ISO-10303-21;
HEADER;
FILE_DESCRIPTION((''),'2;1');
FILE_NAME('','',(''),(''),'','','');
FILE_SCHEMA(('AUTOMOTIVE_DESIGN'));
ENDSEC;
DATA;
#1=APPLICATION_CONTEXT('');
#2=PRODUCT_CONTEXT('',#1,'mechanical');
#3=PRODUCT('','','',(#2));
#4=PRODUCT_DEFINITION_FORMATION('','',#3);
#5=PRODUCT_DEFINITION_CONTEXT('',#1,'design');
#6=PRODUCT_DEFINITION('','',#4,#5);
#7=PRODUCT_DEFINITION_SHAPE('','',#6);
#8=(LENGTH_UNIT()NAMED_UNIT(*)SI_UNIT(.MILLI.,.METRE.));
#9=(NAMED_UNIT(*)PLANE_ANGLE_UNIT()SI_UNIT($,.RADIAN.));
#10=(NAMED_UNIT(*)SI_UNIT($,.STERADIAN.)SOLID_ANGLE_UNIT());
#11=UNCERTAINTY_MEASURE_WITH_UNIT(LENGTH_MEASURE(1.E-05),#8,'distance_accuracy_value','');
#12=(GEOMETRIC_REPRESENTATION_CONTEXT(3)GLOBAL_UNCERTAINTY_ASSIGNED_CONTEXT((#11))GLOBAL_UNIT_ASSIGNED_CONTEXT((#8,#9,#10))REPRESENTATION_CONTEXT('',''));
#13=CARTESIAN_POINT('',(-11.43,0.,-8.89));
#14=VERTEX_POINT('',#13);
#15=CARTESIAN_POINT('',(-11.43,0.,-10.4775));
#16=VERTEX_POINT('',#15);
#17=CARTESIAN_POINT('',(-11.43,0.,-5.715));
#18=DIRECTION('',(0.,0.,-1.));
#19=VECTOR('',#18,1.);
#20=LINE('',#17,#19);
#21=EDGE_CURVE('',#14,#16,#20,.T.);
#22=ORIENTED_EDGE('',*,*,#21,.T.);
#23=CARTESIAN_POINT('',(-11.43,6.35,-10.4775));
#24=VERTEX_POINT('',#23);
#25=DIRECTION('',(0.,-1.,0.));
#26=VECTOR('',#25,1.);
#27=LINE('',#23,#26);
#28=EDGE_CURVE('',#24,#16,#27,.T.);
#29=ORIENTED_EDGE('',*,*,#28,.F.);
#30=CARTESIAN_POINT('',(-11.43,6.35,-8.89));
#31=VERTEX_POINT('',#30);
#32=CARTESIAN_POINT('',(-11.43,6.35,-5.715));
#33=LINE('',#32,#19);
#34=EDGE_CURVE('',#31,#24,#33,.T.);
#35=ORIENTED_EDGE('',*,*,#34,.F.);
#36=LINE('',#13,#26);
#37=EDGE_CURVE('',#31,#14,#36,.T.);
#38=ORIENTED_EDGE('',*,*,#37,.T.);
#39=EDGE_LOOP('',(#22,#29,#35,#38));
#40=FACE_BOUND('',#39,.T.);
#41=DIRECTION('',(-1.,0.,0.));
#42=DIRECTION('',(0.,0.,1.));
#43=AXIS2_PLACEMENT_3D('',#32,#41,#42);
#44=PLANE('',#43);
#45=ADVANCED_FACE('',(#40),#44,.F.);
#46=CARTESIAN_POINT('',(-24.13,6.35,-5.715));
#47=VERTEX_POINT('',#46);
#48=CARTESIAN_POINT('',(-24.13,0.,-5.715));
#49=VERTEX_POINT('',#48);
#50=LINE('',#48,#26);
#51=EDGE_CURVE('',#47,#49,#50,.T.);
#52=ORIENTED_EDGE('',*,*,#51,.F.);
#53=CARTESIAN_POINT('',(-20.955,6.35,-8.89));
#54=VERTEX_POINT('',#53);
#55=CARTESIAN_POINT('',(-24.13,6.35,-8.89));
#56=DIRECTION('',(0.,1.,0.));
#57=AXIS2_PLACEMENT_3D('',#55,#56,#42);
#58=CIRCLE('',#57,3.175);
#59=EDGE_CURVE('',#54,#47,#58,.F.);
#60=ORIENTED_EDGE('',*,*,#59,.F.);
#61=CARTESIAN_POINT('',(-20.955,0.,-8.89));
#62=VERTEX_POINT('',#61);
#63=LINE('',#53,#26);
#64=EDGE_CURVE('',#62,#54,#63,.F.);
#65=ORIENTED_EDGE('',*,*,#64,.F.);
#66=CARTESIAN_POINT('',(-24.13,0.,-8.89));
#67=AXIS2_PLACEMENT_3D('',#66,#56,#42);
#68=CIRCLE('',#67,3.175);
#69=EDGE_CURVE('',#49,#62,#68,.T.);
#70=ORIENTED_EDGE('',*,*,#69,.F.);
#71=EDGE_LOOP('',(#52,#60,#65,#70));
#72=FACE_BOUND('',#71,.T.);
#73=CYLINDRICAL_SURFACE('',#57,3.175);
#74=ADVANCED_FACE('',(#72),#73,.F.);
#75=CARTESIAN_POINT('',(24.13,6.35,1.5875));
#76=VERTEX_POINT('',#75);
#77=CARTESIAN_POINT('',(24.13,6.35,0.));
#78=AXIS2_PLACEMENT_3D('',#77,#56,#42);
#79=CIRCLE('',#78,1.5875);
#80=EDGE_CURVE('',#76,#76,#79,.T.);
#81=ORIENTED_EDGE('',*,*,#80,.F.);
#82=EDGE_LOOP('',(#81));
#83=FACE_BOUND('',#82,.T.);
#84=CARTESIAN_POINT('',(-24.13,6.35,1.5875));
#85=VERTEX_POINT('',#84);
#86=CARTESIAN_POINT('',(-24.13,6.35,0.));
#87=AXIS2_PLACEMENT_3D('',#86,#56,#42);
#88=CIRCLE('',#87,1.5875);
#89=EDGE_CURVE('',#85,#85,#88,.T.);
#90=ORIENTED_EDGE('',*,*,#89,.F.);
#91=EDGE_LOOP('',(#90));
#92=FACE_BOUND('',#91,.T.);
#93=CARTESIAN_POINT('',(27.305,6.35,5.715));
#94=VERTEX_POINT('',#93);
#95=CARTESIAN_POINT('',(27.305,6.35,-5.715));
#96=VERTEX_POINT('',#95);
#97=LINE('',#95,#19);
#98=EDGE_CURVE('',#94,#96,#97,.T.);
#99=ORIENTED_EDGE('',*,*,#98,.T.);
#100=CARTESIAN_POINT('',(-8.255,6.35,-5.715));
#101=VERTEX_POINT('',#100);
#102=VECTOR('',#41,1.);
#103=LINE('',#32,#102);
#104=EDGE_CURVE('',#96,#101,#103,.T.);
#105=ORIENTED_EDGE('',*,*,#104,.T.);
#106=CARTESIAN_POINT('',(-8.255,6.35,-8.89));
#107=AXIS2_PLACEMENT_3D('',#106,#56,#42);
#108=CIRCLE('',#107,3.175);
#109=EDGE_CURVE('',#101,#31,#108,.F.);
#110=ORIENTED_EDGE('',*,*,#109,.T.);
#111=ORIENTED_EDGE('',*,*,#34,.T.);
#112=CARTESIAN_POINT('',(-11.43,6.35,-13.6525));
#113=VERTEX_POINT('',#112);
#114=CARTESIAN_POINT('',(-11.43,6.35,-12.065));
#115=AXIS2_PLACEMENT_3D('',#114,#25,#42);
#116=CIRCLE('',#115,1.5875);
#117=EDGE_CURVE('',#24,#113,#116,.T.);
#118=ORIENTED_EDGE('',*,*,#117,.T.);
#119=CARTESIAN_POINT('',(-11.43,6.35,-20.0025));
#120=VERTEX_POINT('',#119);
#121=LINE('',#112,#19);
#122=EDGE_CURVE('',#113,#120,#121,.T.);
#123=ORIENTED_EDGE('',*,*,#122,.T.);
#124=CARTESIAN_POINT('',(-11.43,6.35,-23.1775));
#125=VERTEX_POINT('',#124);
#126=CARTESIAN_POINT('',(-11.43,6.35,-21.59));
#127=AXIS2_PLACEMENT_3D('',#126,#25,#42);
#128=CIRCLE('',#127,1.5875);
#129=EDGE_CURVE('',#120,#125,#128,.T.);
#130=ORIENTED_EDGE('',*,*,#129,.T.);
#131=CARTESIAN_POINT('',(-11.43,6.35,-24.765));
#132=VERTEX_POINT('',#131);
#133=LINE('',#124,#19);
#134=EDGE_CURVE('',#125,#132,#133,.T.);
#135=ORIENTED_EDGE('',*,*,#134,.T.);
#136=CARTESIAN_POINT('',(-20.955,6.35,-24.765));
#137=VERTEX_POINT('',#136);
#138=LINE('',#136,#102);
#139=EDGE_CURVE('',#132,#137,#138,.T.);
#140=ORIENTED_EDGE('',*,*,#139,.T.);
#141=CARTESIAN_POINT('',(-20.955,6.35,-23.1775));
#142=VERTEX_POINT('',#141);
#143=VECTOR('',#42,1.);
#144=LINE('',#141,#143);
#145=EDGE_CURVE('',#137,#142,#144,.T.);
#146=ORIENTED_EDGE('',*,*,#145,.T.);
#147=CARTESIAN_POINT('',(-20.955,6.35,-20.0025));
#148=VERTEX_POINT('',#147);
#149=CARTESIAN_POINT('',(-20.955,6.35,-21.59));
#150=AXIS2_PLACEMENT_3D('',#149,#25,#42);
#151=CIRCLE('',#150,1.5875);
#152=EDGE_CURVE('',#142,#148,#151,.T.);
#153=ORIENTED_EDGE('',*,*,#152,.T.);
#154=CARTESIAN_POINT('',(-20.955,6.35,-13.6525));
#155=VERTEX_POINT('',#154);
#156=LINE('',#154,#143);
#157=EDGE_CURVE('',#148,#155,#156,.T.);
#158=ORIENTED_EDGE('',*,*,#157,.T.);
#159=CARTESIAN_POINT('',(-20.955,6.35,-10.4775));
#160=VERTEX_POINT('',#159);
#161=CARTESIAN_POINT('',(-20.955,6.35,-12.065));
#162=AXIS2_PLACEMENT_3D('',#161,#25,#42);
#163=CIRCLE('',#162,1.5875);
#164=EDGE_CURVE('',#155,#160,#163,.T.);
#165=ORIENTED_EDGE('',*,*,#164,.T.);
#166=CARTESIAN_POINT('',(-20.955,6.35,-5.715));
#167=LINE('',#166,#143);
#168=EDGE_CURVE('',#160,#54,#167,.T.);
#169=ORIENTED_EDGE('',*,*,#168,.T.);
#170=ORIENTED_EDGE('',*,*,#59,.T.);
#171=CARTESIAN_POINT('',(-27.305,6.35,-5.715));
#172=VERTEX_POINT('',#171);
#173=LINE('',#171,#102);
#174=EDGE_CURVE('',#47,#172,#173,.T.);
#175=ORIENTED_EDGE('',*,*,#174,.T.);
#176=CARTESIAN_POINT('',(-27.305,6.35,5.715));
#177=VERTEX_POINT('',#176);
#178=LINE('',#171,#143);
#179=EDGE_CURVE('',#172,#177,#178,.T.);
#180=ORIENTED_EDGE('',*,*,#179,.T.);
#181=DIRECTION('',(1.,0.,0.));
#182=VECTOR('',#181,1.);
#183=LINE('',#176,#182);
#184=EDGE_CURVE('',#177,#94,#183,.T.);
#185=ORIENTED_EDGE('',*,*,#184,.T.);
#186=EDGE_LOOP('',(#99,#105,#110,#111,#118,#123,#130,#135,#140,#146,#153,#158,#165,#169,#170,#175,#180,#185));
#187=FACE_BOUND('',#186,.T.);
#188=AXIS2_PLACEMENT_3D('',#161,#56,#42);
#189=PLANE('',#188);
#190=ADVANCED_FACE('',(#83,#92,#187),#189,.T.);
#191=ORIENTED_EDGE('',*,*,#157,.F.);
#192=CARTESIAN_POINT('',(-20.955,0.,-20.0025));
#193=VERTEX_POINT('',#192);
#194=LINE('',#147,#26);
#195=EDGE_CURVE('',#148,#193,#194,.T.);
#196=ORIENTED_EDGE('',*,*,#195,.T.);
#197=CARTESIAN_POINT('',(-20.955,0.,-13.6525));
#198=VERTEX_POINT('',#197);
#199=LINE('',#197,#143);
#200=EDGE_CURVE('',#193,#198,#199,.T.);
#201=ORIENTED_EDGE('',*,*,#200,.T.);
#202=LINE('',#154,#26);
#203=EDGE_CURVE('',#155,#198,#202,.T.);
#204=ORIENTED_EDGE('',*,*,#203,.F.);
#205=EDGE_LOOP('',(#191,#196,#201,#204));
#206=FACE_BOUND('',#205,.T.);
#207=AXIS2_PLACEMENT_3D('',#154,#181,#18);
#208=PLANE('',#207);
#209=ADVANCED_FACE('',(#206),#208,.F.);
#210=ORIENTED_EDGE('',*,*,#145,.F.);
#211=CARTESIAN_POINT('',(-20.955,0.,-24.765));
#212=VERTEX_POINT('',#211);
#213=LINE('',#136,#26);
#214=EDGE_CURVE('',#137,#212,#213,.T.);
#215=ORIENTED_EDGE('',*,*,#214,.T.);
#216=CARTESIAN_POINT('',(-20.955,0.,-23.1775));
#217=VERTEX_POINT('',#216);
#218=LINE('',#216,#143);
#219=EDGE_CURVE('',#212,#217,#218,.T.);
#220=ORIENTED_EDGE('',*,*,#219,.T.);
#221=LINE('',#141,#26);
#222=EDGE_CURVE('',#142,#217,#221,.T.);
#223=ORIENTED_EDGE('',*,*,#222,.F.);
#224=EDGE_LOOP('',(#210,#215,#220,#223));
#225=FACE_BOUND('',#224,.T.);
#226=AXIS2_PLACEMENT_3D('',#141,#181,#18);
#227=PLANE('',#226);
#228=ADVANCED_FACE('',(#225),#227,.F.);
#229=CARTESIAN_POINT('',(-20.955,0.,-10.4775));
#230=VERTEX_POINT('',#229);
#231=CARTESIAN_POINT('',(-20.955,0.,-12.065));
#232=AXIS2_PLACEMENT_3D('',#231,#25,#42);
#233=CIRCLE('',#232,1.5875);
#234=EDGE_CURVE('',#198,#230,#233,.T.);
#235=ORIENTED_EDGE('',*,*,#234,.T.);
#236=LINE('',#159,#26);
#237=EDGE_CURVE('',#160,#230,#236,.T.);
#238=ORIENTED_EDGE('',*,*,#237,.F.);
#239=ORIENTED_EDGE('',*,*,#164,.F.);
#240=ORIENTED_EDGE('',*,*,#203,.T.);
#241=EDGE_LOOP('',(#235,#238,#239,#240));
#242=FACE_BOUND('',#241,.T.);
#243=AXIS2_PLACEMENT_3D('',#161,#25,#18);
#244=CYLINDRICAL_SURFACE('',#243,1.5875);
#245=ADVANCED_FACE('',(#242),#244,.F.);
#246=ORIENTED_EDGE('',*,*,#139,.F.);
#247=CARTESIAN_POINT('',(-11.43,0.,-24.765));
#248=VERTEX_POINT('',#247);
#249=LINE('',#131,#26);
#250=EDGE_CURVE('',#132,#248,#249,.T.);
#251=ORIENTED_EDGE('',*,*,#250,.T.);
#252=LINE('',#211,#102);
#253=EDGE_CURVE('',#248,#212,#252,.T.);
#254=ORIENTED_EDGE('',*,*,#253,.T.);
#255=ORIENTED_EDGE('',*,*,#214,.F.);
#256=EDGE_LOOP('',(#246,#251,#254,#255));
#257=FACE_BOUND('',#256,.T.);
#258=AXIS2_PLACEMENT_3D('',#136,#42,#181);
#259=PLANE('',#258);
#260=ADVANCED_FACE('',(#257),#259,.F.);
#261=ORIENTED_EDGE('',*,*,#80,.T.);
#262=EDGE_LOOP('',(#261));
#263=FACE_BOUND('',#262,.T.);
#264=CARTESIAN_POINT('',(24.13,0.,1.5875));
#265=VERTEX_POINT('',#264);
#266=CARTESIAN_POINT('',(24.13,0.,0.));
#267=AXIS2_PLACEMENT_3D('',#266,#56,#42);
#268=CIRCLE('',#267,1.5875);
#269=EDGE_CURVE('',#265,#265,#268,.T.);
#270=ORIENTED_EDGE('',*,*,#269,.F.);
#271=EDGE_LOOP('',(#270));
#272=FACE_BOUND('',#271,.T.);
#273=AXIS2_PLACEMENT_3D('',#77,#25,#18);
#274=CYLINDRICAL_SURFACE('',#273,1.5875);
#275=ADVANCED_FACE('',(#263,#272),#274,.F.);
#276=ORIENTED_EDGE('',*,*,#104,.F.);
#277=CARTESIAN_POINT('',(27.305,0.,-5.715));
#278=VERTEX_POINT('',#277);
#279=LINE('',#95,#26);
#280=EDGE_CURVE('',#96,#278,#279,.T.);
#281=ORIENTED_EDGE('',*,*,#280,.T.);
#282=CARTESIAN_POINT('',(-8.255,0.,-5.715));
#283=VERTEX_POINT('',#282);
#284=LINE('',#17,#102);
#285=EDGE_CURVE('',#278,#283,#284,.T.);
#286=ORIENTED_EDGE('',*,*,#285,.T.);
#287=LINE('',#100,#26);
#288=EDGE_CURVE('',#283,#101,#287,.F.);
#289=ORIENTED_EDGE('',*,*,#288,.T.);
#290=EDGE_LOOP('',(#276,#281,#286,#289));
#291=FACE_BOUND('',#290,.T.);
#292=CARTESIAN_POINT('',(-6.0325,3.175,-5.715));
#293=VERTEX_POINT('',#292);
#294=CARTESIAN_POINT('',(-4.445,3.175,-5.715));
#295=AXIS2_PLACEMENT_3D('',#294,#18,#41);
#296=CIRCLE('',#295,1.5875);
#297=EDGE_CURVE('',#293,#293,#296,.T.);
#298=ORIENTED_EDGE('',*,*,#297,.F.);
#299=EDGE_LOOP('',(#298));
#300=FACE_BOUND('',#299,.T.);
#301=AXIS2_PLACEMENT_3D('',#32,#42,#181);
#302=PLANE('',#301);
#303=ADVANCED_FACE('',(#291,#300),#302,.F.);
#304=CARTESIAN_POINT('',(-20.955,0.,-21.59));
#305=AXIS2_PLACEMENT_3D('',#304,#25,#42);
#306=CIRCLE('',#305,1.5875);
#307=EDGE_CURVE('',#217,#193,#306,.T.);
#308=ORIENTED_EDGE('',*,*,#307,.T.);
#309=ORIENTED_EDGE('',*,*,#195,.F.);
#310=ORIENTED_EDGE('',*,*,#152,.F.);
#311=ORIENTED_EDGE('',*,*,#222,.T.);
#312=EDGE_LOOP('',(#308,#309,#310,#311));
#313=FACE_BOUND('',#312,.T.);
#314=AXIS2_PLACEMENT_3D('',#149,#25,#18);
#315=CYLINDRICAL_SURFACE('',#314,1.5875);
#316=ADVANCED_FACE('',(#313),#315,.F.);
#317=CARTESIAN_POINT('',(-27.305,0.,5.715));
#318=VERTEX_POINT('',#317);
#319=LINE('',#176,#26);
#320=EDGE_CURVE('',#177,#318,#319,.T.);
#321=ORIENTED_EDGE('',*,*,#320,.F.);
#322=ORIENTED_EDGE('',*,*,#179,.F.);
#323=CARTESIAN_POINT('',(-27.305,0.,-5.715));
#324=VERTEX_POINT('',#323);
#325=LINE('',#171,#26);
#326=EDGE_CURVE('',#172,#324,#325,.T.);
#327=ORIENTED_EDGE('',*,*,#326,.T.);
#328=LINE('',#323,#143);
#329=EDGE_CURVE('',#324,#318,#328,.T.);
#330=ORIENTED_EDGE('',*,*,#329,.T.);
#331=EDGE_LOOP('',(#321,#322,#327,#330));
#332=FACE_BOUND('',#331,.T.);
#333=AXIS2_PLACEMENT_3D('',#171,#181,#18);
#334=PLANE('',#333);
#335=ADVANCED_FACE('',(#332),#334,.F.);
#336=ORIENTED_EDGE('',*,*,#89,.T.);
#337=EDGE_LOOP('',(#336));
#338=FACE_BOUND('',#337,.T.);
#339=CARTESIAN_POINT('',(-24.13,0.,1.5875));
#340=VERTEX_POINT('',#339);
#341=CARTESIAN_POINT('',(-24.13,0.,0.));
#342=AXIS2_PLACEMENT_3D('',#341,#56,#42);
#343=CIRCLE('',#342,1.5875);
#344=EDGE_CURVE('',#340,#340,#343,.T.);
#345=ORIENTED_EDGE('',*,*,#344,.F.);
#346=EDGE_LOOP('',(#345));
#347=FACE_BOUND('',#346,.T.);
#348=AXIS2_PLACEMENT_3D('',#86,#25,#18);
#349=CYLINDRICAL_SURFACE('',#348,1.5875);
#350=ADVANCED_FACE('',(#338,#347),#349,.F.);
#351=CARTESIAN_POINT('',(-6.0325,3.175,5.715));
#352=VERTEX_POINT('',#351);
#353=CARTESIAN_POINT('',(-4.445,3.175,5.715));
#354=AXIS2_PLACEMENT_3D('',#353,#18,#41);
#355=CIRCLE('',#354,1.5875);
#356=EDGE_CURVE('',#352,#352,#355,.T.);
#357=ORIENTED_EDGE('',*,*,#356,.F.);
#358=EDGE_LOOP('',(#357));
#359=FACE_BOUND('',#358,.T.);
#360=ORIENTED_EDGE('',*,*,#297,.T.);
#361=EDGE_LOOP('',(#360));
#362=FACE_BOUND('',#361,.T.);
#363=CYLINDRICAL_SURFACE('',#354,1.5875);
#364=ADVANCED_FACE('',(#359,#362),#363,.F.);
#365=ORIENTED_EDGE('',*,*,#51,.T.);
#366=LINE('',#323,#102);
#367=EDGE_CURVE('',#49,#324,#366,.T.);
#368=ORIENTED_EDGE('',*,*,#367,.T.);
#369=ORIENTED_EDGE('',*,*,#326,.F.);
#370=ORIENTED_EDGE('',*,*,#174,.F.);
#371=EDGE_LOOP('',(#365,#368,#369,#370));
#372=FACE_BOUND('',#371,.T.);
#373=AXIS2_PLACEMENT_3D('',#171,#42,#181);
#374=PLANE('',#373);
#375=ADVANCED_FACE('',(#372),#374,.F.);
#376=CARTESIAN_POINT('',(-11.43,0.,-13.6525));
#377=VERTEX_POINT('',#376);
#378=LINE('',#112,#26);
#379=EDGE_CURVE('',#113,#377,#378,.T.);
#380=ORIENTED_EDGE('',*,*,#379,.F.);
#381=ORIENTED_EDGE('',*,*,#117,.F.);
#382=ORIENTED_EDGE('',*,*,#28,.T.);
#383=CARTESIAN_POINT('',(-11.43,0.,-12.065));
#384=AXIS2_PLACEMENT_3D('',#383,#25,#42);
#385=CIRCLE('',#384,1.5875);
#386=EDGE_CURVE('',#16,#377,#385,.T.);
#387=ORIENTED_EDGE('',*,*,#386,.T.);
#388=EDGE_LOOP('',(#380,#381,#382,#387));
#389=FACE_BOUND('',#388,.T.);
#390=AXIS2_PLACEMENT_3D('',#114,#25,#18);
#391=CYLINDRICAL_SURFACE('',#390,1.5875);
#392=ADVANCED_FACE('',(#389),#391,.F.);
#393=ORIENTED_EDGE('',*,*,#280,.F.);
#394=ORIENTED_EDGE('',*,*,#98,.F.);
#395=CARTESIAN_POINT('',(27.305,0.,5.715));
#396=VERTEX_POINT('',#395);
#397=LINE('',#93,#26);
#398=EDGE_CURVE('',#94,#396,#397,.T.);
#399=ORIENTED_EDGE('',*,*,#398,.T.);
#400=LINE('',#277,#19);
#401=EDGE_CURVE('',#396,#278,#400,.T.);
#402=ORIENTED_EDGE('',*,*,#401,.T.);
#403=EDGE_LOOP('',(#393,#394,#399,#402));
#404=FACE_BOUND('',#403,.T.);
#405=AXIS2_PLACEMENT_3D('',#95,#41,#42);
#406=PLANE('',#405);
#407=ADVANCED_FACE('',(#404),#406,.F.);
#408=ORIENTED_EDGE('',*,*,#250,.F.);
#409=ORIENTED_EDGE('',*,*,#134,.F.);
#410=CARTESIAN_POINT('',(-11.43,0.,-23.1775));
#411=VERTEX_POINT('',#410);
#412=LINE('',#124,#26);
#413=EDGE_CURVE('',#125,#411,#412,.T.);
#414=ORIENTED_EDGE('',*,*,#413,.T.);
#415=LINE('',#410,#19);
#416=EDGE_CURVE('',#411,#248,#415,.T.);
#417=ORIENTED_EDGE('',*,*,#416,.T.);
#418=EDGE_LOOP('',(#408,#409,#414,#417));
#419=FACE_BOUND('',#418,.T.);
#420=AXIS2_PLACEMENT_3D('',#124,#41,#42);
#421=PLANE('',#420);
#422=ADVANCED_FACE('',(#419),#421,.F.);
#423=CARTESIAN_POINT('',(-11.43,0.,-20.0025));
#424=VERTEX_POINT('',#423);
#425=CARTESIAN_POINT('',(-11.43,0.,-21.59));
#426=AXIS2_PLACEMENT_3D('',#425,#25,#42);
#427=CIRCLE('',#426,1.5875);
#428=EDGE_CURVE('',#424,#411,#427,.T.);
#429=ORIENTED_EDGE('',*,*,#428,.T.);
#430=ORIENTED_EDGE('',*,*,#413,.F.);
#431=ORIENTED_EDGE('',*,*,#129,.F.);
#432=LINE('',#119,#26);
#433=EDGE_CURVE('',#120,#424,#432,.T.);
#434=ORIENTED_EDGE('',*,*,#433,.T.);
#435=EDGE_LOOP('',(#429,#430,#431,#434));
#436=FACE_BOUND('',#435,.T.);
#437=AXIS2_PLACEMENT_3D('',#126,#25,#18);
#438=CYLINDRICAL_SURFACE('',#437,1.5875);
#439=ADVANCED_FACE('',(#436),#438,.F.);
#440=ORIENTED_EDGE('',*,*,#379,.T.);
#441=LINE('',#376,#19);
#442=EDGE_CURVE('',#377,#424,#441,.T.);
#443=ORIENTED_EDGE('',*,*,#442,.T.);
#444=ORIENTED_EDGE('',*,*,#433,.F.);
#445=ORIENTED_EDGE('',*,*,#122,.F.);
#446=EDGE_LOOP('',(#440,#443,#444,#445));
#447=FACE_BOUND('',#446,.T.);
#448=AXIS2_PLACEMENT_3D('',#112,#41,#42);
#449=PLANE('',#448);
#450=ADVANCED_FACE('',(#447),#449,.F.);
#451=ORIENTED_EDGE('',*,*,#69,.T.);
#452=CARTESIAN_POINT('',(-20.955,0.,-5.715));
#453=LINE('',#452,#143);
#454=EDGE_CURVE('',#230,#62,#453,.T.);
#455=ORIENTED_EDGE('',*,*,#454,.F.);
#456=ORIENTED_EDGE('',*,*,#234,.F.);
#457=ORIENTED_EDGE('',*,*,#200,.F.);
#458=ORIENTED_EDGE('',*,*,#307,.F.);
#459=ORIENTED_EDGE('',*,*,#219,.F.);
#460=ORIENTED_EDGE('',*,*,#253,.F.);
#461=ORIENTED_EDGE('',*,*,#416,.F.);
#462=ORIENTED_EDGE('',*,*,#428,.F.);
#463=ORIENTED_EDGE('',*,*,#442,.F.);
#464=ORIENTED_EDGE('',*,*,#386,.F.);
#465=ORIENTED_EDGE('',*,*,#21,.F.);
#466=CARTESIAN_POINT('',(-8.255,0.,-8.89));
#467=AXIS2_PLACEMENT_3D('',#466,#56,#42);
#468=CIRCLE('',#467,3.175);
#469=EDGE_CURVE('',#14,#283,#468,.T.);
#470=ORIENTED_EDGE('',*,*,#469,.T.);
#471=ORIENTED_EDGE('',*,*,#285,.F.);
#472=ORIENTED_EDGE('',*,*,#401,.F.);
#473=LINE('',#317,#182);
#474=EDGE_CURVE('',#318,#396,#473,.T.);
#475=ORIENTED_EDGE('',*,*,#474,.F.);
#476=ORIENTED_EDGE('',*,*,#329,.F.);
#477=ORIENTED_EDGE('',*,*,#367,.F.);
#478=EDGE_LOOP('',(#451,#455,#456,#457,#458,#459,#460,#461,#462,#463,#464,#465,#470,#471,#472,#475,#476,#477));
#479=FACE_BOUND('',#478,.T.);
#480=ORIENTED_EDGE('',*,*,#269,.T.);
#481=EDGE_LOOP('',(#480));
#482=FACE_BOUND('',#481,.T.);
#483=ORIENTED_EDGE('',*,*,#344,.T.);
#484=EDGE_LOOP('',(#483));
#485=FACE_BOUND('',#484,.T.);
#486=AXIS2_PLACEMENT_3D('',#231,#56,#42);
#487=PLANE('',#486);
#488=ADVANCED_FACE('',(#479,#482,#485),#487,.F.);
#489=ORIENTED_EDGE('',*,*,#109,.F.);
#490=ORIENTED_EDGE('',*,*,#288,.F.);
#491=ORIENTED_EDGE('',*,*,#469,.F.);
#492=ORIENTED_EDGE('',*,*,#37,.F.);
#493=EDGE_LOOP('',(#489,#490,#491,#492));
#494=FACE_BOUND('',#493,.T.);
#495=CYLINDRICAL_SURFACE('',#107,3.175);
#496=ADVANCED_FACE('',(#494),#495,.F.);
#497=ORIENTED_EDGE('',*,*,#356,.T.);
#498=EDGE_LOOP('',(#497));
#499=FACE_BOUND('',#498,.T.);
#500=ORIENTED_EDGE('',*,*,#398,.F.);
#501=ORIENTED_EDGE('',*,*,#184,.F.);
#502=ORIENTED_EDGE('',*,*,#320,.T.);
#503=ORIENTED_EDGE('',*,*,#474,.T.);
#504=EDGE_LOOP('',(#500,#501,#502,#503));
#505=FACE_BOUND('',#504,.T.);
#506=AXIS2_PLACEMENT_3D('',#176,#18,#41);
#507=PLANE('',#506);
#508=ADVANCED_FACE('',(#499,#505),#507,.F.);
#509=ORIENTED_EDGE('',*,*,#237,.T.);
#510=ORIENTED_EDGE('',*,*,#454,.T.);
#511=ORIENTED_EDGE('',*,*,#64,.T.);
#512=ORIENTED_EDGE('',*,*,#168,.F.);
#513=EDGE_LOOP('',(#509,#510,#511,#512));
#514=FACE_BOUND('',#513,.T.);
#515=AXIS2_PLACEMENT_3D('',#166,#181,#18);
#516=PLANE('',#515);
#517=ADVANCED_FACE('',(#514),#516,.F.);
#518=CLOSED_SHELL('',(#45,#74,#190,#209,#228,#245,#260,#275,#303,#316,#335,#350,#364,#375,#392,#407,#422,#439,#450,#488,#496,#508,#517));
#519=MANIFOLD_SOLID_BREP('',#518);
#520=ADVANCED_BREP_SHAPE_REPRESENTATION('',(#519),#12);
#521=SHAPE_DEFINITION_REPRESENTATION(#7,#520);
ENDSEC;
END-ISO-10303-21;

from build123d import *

# Parameters (mm, degrees)
SKETCH1_R           = 1.5875
BOSS_EXTRUDE1_DEPTH = 6.35
FILLET1_R           = 3.175
SKETCH2_R           = 1.5875
TIES_HOLE_DEPTH     = 34.893775609


with BuildPart() as part:
    # Sketch1 → Boss-Extrude1 (new body)
    with BuildSketch(Plane(origin=(0, 0, 0), x_dir=(1, 0, 0), z_dir=(0, 1, 0))):
        with BuildLine():
            Line((-27.305, 5.715), (-20.955, 5.715))
            Line((-20.955, 5.715), (-20.955, 10.4775))
            ThreePointArc((-20.955, 10.4775), (-19.3675, 12.065), (-20.955, 13.6525))
            Line((-20.955, 13.6525), (-20.955, 20.0025))
            ThreePointArc((-20.955, 20.0025), (-19.3675, 21.59), (-20.955, 23.1775))
            Line((-20.955, 23.1775), (-20.955, 24.765))
            Line((-20.955, 24.765), (-11.43, 24.765))
            Line((-11.43, 24.765), (-11.43, 23.1775))
            ThreePointArc((-11.43, 23.1775), (-13.0175, 21.59), (-11.43, 20.0025))
            Line((-11.43, 20.0025), (-11.43, 13.6525))
            ThreePointArc((-11.43, 13.6525), (-13.0175, 12.065), (-11.43, 10.4775))
            Line((-11.43, 10.4775), (-11.43, 5.715))
            Line((-11.43, 5.715), (27.305, 5.715))
            Line((27.305, 5.715), (27.305, -5.715))
            Line((27.305, -5.715), (-27.305, -5.715))
            Line((-27.305, -5.715), (-27.305, 5.715))
        make_face()
        with Locations(Location((-24.13, 0, 0), (0, 0, 270))):
            Circle(SKETCH1_R, mode=Mode.SUBTRACT)
        with Locations(Location((24.13, 0, 0), (0, 0, 270))):
            Circle(SKETCH1_R, mode=Mode.SUBTRACT)
    extrude(amount=BOSS_EXTRUDE1_DEPTH)

    # Fillet1
    fillet1_edges = [part.edges().sort_by_distance(p)[0] for p in [
        (-20.955, 3.175, -5.715),
        (-11.43, 3.175, -5.715),
    ]]
    fillet(fillet1_edges, radius=FILLET1_R)

    # Sketch2 → ties hole (cut, through all)
    with BuildSketch(Plane(origin=(0, 0, -5.715), x_dir=(-1, 0, 0), z_dir=(0, 0, -1))):
        with Locations((4.445, 3.175)):
            Circle(SKETCH2_R)
    extrude(amount=-TIES_HOLE_DEPTH, mode=Mode.SUBTRACT)


solid = part.part
